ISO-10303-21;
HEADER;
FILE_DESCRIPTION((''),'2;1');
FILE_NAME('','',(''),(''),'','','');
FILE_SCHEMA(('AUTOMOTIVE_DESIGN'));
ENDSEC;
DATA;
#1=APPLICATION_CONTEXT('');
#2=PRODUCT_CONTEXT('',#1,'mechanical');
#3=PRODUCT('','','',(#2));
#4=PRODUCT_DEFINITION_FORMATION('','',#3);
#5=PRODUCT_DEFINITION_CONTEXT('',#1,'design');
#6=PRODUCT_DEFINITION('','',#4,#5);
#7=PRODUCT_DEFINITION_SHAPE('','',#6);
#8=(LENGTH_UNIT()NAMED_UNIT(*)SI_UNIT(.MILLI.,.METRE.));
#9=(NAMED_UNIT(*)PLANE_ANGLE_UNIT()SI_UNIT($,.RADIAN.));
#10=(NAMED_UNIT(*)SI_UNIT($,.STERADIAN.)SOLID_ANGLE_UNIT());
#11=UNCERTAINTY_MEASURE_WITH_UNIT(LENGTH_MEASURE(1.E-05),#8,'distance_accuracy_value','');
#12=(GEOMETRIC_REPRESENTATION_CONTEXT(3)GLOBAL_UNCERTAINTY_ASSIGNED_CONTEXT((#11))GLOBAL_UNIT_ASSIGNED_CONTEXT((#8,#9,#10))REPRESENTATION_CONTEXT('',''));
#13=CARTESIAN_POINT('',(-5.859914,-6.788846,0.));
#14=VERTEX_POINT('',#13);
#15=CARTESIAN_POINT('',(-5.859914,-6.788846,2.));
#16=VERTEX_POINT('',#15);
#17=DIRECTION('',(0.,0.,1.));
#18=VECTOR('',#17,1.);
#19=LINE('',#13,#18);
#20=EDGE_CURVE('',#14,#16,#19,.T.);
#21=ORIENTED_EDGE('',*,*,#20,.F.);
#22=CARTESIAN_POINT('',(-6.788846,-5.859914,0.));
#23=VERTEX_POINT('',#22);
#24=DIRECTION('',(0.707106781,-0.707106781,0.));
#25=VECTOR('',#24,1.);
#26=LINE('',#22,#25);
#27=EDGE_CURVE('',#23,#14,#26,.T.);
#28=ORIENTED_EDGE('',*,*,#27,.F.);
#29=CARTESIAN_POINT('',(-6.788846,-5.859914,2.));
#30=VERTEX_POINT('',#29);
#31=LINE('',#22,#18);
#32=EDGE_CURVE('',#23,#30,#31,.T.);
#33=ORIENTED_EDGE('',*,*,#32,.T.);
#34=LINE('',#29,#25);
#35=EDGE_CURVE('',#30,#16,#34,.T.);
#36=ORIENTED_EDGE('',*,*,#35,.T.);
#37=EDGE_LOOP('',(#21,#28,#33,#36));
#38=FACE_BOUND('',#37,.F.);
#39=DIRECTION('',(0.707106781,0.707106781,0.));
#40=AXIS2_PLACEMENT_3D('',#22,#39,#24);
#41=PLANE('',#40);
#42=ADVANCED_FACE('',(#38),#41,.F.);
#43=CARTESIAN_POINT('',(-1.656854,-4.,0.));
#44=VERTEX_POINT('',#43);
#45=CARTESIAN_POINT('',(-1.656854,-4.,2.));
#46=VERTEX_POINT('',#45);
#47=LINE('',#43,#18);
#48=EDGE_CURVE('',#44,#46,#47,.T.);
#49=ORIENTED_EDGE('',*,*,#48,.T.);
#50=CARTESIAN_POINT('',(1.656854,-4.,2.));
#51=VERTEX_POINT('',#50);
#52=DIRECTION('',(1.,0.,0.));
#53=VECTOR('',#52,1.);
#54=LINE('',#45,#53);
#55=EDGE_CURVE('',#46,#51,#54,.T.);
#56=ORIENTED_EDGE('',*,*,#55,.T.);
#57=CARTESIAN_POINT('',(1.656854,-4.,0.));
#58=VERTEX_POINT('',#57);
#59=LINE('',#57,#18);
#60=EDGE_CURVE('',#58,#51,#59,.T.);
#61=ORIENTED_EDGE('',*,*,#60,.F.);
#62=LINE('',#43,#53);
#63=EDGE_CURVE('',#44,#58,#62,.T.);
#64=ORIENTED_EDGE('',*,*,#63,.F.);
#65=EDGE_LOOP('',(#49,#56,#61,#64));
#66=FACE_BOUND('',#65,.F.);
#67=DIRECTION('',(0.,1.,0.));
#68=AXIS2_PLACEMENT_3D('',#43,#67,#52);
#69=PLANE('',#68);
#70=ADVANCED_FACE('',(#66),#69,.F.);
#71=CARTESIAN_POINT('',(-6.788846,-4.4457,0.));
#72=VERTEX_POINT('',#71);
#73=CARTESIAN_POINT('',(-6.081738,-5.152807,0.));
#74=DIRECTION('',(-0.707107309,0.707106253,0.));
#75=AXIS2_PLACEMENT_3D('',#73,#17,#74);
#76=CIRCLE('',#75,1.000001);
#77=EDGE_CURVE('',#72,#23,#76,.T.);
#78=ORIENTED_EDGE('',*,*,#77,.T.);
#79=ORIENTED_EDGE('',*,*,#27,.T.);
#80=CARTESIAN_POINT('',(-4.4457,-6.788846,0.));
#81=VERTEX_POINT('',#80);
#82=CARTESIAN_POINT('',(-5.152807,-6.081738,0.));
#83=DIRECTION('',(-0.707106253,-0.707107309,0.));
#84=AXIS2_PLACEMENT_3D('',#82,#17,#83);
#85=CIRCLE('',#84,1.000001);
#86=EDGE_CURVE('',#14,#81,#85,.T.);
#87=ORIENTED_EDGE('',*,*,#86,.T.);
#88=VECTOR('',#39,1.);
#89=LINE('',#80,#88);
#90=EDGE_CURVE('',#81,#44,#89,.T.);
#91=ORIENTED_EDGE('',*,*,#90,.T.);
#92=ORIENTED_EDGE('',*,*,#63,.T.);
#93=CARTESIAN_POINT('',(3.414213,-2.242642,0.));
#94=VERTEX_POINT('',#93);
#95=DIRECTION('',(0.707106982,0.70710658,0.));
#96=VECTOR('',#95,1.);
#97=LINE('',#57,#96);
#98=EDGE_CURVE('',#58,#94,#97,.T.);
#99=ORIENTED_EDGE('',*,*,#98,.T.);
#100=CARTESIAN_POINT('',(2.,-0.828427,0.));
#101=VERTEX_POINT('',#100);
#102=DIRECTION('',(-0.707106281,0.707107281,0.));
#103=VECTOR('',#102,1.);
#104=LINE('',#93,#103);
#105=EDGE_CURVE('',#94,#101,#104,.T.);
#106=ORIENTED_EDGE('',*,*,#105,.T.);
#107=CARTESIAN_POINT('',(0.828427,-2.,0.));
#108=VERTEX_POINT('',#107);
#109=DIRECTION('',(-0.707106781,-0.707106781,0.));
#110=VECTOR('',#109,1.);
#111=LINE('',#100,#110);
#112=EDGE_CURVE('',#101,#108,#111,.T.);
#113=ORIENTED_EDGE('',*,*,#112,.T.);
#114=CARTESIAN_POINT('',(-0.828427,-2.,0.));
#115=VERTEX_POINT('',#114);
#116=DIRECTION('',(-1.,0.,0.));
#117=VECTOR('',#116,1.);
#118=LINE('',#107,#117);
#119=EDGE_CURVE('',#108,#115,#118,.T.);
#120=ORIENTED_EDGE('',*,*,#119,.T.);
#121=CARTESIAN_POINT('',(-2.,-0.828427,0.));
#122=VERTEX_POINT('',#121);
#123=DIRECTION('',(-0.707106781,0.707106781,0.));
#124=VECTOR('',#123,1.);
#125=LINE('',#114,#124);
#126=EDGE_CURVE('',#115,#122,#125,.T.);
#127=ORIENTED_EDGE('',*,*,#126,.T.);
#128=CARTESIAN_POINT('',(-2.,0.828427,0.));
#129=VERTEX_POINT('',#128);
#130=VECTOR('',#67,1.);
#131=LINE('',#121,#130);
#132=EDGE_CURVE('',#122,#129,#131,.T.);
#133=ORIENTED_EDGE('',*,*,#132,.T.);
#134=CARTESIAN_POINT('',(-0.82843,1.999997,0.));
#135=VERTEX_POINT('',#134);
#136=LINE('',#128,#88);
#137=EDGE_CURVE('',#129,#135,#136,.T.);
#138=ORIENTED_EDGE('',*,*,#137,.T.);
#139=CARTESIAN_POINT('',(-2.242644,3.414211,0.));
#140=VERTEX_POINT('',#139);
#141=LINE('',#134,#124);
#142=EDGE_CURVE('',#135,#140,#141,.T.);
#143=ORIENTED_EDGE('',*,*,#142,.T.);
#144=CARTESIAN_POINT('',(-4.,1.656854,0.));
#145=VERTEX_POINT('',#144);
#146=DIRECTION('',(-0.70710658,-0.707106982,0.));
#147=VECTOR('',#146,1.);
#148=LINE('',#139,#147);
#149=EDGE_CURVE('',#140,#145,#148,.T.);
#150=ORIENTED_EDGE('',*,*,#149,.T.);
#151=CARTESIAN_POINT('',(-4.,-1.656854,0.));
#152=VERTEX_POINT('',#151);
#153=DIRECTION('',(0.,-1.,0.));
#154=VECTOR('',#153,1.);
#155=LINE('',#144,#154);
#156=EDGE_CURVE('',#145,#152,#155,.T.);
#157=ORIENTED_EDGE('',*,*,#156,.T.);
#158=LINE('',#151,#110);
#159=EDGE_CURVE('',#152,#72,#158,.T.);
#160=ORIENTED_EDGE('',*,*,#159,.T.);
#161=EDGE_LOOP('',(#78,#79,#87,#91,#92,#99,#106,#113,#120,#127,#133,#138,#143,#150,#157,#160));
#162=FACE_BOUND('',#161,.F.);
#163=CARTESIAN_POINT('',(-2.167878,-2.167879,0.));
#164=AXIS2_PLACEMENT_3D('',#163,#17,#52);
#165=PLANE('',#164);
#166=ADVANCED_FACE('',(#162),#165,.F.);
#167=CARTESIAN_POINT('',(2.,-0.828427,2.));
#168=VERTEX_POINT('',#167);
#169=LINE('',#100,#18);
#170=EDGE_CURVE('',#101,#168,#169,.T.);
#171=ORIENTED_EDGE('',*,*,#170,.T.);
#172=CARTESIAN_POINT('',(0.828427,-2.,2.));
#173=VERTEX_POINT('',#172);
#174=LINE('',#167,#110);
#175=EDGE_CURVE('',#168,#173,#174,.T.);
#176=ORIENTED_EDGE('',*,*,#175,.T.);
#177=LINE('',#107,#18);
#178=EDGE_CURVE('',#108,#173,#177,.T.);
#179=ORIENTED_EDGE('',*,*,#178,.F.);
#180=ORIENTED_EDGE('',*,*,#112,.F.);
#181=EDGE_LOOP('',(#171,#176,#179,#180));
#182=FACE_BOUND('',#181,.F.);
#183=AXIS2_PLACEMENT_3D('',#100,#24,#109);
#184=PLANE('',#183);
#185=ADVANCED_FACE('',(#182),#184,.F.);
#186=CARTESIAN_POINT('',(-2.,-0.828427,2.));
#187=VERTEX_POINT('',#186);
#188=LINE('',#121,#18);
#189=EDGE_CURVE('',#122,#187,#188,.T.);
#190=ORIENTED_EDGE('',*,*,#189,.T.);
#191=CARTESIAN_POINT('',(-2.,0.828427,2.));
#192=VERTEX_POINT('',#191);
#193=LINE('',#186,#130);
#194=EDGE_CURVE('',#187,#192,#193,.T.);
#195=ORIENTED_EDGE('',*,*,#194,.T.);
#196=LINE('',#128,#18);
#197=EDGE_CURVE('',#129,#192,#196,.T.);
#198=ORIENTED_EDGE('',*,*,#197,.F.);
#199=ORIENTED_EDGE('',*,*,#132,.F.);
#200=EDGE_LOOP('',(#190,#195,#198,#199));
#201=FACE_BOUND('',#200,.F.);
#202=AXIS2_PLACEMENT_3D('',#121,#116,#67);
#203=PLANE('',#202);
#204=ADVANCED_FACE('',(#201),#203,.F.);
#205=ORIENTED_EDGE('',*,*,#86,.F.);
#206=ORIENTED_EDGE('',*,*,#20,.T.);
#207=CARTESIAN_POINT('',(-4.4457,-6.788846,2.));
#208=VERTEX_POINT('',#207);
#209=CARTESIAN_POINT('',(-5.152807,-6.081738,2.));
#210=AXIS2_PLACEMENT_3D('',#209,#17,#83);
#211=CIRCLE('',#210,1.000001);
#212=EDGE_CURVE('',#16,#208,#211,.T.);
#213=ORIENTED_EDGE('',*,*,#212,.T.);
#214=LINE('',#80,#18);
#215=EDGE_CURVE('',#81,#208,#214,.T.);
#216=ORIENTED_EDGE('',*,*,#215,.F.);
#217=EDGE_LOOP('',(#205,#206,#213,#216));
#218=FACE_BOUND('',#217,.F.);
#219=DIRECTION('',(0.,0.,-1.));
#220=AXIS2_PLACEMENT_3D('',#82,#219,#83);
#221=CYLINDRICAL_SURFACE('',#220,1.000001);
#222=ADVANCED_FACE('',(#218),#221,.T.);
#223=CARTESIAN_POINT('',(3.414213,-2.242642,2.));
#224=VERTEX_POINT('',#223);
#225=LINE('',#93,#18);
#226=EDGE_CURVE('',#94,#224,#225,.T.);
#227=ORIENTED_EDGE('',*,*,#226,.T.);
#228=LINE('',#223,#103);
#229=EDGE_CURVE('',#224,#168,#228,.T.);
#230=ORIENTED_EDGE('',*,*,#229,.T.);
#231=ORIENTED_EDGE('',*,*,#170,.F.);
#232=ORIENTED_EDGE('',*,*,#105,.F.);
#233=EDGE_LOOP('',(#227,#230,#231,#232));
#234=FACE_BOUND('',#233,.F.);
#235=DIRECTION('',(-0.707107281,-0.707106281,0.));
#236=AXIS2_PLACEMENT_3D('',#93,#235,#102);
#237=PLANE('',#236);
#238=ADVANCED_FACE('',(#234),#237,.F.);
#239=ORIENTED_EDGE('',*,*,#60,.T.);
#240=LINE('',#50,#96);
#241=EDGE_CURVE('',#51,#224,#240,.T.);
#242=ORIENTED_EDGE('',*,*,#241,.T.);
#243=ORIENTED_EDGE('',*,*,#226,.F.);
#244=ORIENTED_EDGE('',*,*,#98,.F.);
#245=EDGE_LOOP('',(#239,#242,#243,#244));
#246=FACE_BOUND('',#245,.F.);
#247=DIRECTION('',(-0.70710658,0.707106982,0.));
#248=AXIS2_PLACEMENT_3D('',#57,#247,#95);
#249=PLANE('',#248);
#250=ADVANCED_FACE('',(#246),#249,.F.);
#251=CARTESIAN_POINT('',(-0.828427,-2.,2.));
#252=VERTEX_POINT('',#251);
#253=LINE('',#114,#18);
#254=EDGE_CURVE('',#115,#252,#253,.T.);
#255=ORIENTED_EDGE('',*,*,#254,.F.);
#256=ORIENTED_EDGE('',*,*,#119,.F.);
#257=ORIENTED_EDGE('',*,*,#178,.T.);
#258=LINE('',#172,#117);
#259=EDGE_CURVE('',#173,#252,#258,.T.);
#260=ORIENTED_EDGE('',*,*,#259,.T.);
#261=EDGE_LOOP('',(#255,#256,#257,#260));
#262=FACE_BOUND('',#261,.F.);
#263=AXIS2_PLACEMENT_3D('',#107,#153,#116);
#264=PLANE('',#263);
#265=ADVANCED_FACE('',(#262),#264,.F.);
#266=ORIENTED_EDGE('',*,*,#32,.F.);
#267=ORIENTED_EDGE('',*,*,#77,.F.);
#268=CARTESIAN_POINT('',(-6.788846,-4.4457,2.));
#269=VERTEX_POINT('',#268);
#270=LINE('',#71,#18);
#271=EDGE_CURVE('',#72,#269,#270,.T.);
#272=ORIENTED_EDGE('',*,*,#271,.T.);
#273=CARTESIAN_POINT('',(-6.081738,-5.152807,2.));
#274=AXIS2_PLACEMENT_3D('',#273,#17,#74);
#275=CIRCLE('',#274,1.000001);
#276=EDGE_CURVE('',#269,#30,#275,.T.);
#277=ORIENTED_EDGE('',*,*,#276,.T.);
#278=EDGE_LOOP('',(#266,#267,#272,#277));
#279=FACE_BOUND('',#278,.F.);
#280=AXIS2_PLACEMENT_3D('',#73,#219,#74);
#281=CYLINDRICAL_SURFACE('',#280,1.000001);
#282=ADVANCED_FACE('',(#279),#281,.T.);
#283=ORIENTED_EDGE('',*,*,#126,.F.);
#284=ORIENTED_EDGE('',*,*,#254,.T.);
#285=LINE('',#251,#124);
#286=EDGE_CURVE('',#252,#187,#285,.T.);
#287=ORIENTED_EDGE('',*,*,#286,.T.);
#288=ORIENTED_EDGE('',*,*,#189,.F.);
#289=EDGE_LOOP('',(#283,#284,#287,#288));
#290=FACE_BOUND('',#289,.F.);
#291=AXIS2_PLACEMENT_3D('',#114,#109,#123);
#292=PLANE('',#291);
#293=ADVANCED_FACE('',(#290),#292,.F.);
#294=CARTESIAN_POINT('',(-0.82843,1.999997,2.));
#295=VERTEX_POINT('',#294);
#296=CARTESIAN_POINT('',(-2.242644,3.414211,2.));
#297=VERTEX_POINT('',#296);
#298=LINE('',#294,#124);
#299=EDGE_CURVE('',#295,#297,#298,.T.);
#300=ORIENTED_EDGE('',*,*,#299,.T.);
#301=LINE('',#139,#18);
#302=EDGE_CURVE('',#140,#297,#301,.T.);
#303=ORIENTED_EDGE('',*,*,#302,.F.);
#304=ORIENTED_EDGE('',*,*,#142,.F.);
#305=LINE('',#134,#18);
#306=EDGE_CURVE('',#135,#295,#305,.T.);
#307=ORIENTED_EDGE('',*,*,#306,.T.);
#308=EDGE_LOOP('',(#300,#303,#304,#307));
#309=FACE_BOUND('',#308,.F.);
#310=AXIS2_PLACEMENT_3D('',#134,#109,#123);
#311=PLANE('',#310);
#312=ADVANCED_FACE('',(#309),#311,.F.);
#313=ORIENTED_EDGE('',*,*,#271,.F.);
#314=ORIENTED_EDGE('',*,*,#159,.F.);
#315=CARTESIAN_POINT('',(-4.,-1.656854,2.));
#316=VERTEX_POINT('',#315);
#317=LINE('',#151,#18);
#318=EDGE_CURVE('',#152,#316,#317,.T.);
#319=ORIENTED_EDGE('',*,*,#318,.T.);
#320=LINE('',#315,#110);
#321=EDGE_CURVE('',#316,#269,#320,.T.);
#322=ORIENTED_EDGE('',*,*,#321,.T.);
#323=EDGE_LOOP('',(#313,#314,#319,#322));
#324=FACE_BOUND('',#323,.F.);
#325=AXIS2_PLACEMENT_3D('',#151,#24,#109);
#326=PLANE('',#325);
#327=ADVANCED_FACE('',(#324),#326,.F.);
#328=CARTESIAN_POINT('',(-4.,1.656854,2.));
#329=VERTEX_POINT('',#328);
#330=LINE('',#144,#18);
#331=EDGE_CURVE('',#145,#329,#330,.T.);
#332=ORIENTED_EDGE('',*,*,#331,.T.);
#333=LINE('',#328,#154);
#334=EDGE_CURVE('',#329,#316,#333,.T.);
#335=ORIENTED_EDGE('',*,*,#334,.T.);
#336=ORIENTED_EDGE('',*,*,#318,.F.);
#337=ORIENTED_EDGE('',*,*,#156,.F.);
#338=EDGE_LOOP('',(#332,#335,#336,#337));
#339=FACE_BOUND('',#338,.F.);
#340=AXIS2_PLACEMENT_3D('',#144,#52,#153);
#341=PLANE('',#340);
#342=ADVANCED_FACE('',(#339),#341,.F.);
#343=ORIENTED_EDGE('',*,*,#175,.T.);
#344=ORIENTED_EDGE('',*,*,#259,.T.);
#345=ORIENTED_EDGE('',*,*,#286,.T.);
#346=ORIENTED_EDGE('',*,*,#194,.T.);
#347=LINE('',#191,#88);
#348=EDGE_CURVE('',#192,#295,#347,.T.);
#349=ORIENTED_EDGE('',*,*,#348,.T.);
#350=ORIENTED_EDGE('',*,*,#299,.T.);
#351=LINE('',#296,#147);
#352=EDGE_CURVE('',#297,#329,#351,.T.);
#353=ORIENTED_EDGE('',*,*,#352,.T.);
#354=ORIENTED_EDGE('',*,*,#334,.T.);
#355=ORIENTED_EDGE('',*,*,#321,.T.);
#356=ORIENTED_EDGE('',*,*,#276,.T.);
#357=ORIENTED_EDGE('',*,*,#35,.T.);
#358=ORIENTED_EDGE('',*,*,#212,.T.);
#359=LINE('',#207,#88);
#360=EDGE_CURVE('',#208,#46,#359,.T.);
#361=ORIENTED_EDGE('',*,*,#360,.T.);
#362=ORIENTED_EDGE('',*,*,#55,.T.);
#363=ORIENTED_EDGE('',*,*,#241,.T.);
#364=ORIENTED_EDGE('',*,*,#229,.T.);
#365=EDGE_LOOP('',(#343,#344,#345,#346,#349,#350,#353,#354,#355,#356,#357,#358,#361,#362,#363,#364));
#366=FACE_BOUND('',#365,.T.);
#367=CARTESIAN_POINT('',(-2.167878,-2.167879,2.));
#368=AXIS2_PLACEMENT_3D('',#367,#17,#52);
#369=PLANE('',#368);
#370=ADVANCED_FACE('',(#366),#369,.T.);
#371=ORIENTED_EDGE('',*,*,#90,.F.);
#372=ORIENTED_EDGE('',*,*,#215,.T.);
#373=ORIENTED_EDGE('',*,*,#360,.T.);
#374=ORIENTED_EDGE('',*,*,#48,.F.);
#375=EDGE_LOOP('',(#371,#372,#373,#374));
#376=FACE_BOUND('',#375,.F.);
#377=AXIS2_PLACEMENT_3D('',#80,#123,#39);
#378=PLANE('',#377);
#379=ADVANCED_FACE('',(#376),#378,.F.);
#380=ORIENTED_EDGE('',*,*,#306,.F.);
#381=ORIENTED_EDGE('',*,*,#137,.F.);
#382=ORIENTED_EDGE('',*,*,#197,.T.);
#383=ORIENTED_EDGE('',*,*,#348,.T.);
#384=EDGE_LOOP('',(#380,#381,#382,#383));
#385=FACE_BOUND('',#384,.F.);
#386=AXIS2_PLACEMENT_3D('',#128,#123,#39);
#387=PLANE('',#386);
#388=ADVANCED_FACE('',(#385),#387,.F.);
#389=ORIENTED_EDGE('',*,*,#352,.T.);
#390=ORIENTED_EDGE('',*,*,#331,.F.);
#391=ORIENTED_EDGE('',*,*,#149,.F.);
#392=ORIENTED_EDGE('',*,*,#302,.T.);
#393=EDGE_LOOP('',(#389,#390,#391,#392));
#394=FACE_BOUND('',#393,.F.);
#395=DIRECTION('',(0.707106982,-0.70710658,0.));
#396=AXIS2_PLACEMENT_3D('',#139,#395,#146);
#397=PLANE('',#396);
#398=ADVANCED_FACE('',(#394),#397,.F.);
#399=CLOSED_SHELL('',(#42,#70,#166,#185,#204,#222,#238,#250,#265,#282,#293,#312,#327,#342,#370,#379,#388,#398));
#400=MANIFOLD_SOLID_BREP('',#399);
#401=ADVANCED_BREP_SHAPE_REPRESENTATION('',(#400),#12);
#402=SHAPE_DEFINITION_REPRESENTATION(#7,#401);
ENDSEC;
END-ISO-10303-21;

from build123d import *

# Parameters (mm, degrees)
F1_DEPTH = 2


with BuildPart() as f1:
    # F0 (on Top) → F1 (new body)
    with BuildSketch(Plane.XY):
        with BuildLine():
            Line((3.414213, -2.242642), (2, -0.828427))
            Line((2, -0.828427), (0.828427, -2))
            Line((0.828427, -2), (-0.828427, -2))
            Line((-0.828427, -2), (-2, -0.828427))
            Line((-2, -0.828427), (-2, 0.828427))
            Line((-2, 0.828427), (-0.82843, 1.999997))
            Line((-0.82843, 1.999997), (-2.242644, 3.414211))
            Line((-2.242644, 3.414211), (-4, 1.656854))
            Line((-4, 1.656854), (-4, -1.656854))
            Line((-4, -1.656854), (-6.788846, -4.4457))
            ThreePointArc((-6.788846, -4.4457), (-7.081739, -5.152807), (-6.788846, -5.859914))
            Line((-6.788846, -5.859914), (-5.859914, -6.788846))
            ThreePointArc((-5.859914, -6.788846), (-5.152807, -7.081739), (-4.4457, -6.788846))
            Line((-4.4457, -6.788846), (-1.656854, -4))
            Line((-1.656854, -4), (1.656854, -4))
            Line((1.656854, -4), (3.414213, -2.242642))
        make_face()
    extrude(amount=F1_DEPTH)


solid = f1.part
